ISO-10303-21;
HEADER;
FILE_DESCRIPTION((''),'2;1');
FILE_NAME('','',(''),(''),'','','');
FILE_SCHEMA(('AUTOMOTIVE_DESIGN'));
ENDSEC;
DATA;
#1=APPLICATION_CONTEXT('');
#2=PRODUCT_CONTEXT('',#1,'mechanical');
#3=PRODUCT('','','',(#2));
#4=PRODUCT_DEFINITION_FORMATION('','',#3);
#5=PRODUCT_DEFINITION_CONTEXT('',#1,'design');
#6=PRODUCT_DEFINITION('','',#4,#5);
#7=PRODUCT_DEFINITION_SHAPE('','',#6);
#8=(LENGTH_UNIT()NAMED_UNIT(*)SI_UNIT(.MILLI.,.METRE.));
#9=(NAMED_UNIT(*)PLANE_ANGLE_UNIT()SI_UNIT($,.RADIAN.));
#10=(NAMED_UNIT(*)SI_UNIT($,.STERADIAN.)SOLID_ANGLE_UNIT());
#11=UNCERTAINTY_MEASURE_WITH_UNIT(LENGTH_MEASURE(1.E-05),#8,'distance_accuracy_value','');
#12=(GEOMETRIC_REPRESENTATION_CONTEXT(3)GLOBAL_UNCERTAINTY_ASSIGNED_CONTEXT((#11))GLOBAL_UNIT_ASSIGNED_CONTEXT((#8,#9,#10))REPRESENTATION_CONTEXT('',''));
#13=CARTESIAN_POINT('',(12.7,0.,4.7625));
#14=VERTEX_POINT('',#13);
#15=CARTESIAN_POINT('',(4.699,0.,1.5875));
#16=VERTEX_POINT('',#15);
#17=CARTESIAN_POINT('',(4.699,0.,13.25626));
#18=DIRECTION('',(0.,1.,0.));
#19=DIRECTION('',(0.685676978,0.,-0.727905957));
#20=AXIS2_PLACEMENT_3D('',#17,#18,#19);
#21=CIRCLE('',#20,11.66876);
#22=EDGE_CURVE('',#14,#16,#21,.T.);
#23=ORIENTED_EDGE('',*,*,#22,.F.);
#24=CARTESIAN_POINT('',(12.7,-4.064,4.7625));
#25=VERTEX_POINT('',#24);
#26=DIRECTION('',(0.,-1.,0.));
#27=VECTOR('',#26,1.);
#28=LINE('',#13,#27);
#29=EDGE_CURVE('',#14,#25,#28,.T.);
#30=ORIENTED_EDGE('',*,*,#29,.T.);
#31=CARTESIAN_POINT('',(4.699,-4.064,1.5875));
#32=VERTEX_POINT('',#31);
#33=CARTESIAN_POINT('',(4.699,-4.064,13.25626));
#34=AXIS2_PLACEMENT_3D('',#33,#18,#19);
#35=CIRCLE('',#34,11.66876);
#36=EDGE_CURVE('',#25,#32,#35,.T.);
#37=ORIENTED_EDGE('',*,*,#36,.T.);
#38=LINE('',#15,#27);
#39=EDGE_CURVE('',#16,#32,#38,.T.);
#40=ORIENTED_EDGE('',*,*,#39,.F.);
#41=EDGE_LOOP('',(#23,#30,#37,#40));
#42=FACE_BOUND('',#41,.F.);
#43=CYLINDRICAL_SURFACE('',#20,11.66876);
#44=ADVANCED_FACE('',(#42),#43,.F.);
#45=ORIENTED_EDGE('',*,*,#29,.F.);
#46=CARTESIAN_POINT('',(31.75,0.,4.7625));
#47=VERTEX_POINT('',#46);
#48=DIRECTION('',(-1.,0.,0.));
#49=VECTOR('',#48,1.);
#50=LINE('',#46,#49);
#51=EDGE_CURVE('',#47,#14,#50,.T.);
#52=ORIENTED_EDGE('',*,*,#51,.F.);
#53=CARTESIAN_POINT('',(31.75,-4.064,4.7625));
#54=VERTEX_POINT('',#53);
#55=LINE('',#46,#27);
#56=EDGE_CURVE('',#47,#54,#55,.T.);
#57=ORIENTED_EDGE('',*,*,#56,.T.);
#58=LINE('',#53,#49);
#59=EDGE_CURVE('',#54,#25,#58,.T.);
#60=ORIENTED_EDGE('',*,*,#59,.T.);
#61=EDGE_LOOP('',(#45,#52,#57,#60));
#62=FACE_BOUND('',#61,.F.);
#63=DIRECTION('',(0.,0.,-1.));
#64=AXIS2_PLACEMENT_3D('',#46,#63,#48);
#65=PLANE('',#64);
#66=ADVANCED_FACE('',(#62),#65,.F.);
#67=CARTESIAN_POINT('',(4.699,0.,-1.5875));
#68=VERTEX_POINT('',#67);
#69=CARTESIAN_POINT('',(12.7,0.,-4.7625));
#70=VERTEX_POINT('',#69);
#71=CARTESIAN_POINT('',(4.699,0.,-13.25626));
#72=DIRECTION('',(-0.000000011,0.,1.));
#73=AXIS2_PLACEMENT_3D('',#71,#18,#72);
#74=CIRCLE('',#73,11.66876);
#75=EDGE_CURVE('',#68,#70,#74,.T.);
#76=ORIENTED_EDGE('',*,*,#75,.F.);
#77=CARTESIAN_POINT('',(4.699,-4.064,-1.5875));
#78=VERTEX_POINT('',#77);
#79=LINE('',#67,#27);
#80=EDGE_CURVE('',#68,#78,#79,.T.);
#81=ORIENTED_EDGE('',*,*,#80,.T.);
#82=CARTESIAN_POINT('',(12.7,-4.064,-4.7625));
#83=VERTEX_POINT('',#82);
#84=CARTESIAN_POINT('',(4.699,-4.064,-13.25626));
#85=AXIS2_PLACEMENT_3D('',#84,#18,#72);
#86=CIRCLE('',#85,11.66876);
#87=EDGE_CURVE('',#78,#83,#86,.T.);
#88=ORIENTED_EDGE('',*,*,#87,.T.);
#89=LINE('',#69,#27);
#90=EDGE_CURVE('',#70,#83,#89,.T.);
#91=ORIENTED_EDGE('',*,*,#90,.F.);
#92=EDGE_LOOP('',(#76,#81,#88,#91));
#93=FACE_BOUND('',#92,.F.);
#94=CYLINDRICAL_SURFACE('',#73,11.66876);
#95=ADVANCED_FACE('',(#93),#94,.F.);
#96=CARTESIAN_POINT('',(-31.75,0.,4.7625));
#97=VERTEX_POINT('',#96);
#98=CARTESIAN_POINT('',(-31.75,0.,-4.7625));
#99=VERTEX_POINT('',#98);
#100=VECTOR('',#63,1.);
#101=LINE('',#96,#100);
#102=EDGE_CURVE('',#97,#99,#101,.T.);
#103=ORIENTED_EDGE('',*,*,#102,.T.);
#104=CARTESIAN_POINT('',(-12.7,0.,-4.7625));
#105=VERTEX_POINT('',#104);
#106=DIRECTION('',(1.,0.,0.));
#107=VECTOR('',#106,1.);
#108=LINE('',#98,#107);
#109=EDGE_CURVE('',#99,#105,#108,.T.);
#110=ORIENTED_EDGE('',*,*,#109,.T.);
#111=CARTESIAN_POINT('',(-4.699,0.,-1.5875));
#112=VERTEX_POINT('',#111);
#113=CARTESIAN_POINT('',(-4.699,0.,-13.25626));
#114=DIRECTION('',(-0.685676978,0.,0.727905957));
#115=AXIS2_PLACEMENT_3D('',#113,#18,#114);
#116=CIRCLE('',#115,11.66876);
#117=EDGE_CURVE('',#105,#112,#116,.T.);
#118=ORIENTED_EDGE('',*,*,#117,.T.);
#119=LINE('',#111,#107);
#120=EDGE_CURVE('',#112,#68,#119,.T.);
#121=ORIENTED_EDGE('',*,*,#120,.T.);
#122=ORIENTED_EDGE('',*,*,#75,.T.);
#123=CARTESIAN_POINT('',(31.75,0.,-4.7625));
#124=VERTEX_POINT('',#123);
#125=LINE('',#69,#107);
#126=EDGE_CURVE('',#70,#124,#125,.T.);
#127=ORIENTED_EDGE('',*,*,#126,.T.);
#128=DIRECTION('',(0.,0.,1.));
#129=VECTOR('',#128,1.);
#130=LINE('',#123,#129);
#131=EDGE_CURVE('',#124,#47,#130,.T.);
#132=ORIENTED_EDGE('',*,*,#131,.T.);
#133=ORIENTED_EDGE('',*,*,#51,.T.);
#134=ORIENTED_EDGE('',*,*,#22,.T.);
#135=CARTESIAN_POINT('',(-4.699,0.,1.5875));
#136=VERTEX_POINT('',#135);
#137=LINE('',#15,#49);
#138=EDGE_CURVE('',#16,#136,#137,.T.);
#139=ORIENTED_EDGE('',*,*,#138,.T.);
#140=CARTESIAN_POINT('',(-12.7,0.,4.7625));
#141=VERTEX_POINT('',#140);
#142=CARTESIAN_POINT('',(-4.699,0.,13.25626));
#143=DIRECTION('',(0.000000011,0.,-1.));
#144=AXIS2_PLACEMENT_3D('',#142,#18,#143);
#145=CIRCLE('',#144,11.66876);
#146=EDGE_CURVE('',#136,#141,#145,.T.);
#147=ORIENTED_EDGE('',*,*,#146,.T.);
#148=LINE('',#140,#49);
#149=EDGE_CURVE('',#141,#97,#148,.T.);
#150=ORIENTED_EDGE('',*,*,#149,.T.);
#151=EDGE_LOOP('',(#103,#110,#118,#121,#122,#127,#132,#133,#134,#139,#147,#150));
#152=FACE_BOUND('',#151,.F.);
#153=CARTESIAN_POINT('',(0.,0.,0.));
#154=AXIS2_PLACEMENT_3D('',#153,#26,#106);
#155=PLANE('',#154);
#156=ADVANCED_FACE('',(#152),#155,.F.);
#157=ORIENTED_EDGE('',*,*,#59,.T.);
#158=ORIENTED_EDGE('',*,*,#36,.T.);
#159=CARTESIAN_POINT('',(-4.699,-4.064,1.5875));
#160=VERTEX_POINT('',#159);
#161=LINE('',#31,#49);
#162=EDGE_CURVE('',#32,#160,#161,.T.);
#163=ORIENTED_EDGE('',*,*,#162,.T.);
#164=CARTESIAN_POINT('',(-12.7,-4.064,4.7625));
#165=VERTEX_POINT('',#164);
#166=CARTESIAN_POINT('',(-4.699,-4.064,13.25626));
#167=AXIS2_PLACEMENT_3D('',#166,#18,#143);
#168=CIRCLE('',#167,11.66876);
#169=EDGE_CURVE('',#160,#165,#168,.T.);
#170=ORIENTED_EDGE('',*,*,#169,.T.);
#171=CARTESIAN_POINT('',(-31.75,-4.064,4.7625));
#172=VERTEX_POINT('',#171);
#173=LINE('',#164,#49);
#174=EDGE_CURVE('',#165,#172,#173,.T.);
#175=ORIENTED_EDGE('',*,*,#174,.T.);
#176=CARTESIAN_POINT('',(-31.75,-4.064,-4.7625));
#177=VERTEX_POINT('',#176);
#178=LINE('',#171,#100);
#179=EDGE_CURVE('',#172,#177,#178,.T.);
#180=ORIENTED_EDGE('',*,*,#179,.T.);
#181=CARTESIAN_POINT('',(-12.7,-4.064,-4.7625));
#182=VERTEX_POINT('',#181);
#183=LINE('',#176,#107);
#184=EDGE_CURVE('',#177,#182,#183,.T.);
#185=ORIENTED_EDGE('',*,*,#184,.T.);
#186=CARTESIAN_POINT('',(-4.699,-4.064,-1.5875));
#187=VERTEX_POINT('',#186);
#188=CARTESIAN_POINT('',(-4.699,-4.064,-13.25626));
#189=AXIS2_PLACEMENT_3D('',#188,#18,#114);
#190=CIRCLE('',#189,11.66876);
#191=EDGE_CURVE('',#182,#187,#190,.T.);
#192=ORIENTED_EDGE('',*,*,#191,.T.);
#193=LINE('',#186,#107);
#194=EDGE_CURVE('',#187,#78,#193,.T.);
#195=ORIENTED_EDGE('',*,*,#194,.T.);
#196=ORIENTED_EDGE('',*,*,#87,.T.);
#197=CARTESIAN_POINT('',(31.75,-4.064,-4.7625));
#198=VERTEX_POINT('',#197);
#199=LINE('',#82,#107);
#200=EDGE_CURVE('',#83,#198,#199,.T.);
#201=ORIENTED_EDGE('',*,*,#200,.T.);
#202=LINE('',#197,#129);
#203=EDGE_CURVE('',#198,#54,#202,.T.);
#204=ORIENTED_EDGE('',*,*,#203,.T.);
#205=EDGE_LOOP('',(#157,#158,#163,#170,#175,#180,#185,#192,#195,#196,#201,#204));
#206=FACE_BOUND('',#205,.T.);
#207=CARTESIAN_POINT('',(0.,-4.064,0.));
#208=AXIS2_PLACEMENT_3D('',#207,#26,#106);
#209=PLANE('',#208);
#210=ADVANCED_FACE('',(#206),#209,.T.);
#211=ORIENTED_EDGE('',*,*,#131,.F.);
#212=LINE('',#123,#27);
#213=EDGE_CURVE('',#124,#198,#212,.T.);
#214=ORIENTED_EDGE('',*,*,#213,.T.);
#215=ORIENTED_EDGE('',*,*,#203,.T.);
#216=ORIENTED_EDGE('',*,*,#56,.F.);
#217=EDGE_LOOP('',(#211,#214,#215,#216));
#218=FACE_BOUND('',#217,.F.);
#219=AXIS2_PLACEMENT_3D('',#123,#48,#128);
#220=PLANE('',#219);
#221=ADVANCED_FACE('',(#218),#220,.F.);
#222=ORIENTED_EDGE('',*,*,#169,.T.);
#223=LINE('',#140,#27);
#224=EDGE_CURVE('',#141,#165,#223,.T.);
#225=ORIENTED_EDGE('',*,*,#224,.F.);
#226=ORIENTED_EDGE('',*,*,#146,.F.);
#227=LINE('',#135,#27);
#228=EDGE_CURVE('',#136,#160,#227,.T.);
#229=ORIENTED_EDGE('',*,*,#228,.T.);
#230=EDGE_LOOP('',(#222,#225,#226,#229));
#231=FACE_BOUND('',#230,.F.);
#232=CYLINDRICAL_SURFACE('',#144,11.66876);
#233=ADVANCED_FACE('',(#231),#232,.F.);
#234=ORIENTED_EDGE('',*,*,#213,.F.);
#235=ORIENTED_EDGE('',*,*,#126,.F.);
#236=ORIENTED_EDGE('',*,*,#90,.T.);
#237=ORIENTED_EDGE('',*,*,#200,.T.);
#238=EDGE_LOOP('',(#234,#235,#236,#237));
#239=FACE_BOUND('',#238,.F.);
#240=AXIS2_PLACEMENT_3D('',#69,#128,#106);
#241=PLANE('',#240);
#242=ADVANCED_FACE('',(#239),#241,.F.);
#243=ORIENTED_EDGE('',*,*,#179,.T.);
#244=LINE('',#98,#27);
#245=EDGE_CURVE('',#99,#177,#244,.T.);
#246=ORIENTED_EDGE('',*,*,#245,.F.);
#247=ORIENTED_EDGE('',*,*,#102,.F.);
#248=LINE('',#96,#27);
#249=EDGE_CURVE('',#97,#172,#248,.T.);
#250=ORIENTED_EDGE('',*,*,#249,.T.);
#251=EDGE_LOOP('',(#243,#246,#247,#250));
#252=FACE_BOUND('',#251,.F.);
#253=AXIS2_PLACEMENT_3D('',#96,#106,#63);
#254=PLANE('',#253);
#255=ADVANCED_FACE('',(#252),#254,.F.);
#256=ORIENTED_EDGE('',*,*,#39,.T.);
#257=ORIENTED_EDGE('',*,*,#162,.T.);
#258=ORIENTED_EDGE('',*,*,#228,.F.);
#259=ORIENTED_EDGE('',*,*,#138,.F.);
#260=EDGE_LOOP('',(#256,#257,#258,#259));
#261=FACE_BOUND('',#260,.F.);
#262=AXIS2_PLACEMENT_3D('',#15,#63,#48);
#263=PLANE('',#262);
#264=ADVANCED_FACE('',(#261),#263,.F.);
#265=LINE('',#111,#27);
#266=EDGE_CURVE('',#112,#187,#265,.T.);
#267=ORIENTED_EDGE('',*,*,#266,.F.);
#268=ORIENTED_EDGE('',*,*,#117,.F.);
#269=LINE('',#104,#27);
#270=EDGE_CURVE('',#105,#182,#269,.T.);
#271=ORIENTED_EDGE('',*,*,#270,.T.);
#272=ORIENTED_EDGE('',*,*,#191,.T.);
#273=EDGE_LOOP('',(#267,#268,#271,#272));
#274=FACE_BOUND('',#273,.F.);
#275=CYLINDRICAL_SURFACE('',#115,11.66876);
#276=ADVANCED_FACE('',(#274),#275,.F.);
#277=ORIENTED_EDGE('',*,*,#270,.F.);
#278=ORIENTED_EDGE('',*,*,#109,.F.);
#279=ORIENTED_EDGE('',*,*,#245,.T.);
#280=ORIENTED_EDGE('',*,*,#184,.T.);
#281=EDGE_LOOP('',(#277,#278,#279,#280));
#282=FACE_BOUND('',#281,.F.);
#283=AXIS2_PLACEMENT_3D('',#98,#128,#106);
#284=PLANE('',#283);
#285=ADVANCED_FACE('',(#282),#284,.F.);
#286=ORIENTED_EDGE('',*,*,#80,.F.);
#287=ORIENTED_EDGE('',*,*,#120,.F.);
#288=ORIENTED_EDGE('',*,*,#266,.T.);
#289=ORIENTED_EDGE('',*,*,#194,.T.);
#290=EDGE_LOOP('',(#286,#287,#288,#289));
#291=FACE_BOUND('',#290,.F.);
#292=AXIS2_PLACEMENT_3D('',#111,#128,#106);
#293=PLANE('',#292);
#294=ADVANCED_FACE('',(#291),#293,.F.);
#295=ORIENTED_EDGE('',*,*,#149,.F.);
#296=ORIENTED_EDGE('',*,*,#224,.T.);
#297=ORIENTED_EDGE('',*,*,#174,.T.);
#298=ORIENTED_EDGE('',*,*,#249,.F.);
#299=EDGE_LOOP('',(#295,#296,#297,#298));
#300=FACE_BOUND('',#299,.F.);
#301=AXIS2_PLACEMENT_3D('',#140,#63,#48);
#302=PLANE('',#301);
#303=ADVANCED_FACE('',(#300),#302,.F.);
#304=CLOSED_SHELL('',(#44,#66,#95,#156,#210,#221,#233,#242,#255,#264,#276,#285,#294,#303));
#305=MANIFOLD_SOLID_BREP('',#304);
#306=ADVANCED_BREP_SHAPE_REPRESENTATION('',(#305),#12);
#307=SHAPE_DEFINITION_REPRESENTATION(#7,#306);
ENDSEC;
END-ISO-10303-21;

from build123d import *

# Parameters (mm, degrees)
F1_DEPTH = 4.064


with BuildPart() as f1:
    # F0 (on Front) → F1 (new body)
    with BuildSketch(Plane.XZ):
        with BuildLine():
            Line((4.699, 1.5875), (0, 1.5875))
            Line((0, 1.5875), (-4.699, 1.5875))
            ThreePointArc((-4.699, 1.5875), (-9.00297, 2.410256), (-12.7, 4.7625))
            Line((-12.7, 4.7625), (-31.75, 4.7625))
            Line((-31.75, 4.7625), (-31.75, -4.7625))
            Line((-31.75, -4.7625), (-12.7, -4.7625))
            ThreePointArc((-12.7, -4.7625), (-9.00297, -2.410256), (-4.699, -1.5875))
            Line((-4.699, -1.5875), (0, -1.5875))
            Line((0, -1.5875), (4.699, -1.5875))
            ThreePointArc((4.699, -1.5875), (9.00297, -2.410256), (12.7, -4.7625))
            Line((12.7, -4.7625), (31.75, -4.7625))
            Line((31.75, -4.7625), (31.75, 4.7625))
            Line((31.75, 4.7625), (12.7, 4.7625))
            ThreePointArc((12.7, 4.7625), (9.00297, 2.410256), (4.699, 1.5875))
        make_face()
    extrude(amount=F1_DEPTH)


solid = f1.part
